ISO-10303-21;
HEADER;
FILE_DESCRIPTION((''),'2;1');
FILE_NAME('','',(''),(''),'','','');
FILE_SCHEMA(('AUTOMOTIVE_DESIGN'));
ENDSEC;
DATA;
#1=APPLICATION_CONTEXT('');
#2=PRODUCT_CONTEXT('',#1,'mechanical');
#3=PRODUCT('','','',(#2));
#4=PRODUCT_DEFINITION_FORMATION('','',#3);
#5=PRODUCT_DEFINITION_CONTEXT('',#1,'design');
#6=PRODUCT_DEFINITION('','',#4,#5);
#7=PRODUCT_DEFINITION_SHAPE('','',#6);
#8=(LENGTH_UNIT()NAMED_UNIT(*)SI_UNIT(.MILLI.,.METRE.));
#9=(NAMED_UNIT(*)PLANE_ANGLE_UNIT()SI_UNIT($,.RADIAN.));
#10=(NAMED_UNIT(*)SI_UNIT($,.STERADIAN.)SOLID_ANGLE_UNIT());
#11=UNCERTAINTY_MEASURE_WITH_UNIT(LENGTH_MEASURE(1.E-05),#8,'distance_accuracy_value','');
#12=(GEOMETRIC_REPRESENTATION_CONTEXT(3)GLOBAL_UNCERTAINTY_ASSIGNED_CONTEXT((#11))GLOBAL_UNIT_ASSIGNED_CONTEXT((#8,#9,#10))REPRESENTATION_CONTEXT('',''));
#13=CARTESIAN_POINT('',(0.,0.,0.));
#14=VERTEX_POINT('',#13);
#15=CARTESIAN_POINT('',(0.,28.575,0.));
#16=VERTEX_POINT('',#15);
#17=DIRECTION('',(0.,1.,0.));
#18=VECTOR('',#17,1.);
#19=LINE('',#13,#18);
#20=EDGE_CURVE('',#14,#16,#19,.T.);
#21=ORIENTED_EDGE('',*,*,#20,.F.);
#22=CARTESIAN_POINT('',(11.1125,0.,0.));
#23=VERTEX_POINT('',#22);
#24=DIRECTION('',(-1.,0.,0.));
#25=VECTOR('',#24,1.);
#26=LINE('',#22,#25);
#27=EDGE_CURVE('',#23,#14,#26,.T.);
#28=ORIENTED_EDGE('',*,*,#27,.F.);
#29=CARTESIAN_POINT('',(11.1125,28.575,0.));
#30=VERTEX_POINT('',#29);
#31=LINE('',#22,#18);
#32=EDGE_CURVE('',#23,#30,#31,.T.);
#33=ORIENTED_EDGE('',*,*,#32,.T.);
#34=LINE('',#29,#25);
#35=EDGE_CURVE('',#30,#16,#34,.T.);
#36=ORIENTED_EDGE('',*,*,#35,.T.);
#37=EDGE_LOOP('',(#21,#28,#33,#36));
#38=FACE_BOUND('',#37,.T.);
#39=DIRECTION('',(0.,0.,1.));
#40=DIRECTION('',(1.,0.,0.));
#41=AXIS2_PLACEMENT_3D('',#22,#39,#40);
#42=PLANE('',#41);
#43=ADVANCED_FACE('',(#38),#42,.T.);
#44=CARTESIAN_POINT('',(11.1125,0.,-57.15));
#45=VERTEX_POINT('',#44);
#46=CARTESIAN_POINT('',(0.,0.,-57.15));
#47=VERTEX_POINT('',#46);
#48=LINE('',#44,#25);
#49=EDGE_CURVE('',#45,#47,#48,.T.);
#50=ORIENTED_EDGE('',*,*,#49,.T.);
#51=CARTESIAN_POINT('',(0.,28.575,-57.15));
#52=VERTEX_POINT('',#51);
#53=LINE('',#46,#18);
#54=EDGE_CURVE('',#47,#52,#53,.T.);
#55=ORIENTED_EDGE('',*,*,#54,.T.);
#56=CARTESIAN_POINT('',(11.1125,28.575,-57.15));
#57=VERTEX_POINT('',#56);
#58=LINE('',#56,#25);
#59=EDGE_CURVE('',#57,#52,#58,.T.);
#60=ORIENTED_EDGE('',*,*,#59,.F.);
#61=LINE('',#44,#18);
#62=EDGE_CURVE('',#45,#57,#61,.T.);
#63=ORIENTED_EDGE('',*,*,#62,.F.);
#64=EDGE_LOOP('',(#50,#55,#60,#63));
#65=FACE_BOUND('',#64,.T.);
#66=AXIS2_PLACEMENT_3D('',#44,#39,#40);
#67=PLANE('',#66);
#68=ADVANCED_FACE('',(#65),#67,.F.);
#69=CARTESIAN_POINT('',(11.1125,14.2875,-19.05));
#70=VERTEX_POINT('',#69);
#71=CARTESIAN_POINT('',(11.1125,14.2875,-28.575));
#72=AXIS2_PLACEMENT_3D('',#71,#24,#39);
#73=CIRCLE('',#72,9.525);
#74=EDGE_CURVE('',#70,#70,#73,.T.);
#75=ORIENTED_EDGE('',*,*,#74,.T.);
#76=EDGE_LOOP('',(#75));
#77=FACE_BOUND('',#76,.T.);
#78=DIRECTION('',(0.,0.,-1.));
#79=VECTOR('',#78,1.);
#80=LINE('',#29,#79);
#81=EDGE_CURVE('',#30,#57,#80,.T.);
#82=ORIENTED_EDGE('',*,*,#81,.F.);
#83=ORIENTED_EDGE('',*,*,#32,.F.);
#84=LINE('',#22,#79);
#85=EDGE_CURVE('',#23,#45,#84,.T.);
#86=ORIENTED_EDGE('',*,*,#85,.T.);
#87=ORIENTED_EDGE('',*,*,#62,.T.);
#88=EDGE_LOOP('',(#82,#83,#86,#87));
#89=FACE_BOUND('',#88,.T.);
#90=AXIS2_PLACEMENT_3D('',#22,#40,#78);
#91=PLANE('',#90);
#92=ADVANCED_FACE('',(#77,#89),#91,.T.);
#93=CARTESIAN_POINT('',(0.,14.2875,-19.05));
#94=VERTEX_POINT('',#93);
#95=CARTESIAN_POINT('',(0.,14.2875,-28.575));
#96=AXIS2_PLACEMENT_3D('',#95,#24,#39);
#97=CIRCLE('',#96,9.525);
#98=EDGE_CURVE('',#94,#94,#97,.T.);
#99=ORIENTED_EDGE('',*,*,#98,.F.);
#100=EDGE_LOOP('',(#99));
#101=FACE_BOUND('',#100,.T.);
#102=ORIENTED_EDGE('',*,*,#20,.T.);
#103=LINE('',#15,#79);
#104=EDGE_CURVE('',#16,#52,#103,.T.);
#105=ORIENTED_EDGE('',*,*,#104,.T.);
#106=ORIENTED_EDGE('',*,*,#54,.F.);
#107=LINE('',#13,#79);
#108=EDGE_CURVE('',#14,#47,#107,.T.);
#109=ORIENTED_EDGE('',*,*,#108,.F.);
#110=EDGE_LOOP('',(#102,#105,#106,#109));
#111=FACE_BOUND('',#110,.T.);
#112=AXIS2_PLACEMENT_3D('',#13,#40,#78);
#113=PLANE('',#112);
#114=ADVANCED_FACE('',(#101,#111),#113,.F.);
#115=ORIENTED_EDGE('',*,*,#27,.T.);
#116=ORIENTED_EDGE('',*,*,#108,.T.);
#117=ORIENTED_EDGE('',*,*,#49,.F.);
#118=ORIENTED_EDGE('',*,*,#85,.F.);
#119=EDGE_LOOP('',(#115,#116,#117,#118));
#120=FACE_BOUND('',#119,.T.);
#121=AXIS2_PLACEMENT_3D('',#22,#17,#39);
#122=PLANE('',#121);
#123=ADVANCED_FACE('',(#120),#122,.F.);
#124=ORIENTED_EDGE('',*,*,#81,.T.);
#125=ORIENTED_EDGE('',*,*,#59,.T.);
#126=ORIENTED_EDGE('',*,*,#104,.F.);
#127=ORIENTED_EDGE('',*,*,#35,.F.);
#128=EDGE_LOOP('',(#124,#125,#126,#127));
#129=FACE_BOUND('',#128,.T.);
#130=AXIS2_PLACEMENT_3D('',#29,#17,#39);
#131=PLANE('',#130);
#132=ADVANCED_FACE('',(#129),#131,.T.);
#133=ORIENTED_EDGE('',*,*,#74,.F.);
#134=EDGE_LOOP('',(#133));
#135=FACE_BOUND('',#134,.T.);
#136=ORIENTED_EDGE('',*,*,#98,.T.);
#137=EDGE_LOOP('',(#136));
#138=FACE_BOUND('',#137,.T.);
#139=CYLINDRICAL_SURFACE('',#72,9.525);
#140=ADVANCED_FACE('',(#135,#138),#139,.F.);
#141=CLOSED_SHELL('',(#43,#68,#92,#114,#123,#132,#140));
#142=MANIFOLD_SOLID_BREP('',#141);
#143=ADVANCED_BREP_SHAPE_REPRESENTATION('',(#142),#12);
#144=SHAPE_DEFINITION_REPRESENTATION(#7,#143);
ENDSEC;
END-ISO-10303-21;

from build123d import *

# Parameters (mm, degrees)
SKETCH1_W           = 57.15
SKETCH1_H           = 28.575
BOSS_EXTRUDE1_DEPTH = 11.1125
SKETCH2_R           = 9.525
CUT_EXTRUDE1_DEPTH  = 65.854766835


with BuildPart() as part:
    # Sketch1 → Boss-Extrude1 (new body)
    with BuildSketch(Plane(origin=(0, 0, 0), x_dir=(0, 0, -1), z_dir=(1, 0, 0))):
        with Locations((28.575, 14.2875)):
            Rectangle(SKETCH1_W, SKETCH1_H)
    extrude(amount=BOSS_EXTRUDE1_DEPTH)

    # Sketch2 → Cut-Extrude1 (cut, through all)
    with BuildSketch(Plane.ZY):
        with Locations((-28.575, 14.2875)):
            Circle(SKETCH2_R)
    extrude(amount=-CUT_EXTRUDE1_DEPTH, mode=Mode.SUBTRACT)


solid = part.part
